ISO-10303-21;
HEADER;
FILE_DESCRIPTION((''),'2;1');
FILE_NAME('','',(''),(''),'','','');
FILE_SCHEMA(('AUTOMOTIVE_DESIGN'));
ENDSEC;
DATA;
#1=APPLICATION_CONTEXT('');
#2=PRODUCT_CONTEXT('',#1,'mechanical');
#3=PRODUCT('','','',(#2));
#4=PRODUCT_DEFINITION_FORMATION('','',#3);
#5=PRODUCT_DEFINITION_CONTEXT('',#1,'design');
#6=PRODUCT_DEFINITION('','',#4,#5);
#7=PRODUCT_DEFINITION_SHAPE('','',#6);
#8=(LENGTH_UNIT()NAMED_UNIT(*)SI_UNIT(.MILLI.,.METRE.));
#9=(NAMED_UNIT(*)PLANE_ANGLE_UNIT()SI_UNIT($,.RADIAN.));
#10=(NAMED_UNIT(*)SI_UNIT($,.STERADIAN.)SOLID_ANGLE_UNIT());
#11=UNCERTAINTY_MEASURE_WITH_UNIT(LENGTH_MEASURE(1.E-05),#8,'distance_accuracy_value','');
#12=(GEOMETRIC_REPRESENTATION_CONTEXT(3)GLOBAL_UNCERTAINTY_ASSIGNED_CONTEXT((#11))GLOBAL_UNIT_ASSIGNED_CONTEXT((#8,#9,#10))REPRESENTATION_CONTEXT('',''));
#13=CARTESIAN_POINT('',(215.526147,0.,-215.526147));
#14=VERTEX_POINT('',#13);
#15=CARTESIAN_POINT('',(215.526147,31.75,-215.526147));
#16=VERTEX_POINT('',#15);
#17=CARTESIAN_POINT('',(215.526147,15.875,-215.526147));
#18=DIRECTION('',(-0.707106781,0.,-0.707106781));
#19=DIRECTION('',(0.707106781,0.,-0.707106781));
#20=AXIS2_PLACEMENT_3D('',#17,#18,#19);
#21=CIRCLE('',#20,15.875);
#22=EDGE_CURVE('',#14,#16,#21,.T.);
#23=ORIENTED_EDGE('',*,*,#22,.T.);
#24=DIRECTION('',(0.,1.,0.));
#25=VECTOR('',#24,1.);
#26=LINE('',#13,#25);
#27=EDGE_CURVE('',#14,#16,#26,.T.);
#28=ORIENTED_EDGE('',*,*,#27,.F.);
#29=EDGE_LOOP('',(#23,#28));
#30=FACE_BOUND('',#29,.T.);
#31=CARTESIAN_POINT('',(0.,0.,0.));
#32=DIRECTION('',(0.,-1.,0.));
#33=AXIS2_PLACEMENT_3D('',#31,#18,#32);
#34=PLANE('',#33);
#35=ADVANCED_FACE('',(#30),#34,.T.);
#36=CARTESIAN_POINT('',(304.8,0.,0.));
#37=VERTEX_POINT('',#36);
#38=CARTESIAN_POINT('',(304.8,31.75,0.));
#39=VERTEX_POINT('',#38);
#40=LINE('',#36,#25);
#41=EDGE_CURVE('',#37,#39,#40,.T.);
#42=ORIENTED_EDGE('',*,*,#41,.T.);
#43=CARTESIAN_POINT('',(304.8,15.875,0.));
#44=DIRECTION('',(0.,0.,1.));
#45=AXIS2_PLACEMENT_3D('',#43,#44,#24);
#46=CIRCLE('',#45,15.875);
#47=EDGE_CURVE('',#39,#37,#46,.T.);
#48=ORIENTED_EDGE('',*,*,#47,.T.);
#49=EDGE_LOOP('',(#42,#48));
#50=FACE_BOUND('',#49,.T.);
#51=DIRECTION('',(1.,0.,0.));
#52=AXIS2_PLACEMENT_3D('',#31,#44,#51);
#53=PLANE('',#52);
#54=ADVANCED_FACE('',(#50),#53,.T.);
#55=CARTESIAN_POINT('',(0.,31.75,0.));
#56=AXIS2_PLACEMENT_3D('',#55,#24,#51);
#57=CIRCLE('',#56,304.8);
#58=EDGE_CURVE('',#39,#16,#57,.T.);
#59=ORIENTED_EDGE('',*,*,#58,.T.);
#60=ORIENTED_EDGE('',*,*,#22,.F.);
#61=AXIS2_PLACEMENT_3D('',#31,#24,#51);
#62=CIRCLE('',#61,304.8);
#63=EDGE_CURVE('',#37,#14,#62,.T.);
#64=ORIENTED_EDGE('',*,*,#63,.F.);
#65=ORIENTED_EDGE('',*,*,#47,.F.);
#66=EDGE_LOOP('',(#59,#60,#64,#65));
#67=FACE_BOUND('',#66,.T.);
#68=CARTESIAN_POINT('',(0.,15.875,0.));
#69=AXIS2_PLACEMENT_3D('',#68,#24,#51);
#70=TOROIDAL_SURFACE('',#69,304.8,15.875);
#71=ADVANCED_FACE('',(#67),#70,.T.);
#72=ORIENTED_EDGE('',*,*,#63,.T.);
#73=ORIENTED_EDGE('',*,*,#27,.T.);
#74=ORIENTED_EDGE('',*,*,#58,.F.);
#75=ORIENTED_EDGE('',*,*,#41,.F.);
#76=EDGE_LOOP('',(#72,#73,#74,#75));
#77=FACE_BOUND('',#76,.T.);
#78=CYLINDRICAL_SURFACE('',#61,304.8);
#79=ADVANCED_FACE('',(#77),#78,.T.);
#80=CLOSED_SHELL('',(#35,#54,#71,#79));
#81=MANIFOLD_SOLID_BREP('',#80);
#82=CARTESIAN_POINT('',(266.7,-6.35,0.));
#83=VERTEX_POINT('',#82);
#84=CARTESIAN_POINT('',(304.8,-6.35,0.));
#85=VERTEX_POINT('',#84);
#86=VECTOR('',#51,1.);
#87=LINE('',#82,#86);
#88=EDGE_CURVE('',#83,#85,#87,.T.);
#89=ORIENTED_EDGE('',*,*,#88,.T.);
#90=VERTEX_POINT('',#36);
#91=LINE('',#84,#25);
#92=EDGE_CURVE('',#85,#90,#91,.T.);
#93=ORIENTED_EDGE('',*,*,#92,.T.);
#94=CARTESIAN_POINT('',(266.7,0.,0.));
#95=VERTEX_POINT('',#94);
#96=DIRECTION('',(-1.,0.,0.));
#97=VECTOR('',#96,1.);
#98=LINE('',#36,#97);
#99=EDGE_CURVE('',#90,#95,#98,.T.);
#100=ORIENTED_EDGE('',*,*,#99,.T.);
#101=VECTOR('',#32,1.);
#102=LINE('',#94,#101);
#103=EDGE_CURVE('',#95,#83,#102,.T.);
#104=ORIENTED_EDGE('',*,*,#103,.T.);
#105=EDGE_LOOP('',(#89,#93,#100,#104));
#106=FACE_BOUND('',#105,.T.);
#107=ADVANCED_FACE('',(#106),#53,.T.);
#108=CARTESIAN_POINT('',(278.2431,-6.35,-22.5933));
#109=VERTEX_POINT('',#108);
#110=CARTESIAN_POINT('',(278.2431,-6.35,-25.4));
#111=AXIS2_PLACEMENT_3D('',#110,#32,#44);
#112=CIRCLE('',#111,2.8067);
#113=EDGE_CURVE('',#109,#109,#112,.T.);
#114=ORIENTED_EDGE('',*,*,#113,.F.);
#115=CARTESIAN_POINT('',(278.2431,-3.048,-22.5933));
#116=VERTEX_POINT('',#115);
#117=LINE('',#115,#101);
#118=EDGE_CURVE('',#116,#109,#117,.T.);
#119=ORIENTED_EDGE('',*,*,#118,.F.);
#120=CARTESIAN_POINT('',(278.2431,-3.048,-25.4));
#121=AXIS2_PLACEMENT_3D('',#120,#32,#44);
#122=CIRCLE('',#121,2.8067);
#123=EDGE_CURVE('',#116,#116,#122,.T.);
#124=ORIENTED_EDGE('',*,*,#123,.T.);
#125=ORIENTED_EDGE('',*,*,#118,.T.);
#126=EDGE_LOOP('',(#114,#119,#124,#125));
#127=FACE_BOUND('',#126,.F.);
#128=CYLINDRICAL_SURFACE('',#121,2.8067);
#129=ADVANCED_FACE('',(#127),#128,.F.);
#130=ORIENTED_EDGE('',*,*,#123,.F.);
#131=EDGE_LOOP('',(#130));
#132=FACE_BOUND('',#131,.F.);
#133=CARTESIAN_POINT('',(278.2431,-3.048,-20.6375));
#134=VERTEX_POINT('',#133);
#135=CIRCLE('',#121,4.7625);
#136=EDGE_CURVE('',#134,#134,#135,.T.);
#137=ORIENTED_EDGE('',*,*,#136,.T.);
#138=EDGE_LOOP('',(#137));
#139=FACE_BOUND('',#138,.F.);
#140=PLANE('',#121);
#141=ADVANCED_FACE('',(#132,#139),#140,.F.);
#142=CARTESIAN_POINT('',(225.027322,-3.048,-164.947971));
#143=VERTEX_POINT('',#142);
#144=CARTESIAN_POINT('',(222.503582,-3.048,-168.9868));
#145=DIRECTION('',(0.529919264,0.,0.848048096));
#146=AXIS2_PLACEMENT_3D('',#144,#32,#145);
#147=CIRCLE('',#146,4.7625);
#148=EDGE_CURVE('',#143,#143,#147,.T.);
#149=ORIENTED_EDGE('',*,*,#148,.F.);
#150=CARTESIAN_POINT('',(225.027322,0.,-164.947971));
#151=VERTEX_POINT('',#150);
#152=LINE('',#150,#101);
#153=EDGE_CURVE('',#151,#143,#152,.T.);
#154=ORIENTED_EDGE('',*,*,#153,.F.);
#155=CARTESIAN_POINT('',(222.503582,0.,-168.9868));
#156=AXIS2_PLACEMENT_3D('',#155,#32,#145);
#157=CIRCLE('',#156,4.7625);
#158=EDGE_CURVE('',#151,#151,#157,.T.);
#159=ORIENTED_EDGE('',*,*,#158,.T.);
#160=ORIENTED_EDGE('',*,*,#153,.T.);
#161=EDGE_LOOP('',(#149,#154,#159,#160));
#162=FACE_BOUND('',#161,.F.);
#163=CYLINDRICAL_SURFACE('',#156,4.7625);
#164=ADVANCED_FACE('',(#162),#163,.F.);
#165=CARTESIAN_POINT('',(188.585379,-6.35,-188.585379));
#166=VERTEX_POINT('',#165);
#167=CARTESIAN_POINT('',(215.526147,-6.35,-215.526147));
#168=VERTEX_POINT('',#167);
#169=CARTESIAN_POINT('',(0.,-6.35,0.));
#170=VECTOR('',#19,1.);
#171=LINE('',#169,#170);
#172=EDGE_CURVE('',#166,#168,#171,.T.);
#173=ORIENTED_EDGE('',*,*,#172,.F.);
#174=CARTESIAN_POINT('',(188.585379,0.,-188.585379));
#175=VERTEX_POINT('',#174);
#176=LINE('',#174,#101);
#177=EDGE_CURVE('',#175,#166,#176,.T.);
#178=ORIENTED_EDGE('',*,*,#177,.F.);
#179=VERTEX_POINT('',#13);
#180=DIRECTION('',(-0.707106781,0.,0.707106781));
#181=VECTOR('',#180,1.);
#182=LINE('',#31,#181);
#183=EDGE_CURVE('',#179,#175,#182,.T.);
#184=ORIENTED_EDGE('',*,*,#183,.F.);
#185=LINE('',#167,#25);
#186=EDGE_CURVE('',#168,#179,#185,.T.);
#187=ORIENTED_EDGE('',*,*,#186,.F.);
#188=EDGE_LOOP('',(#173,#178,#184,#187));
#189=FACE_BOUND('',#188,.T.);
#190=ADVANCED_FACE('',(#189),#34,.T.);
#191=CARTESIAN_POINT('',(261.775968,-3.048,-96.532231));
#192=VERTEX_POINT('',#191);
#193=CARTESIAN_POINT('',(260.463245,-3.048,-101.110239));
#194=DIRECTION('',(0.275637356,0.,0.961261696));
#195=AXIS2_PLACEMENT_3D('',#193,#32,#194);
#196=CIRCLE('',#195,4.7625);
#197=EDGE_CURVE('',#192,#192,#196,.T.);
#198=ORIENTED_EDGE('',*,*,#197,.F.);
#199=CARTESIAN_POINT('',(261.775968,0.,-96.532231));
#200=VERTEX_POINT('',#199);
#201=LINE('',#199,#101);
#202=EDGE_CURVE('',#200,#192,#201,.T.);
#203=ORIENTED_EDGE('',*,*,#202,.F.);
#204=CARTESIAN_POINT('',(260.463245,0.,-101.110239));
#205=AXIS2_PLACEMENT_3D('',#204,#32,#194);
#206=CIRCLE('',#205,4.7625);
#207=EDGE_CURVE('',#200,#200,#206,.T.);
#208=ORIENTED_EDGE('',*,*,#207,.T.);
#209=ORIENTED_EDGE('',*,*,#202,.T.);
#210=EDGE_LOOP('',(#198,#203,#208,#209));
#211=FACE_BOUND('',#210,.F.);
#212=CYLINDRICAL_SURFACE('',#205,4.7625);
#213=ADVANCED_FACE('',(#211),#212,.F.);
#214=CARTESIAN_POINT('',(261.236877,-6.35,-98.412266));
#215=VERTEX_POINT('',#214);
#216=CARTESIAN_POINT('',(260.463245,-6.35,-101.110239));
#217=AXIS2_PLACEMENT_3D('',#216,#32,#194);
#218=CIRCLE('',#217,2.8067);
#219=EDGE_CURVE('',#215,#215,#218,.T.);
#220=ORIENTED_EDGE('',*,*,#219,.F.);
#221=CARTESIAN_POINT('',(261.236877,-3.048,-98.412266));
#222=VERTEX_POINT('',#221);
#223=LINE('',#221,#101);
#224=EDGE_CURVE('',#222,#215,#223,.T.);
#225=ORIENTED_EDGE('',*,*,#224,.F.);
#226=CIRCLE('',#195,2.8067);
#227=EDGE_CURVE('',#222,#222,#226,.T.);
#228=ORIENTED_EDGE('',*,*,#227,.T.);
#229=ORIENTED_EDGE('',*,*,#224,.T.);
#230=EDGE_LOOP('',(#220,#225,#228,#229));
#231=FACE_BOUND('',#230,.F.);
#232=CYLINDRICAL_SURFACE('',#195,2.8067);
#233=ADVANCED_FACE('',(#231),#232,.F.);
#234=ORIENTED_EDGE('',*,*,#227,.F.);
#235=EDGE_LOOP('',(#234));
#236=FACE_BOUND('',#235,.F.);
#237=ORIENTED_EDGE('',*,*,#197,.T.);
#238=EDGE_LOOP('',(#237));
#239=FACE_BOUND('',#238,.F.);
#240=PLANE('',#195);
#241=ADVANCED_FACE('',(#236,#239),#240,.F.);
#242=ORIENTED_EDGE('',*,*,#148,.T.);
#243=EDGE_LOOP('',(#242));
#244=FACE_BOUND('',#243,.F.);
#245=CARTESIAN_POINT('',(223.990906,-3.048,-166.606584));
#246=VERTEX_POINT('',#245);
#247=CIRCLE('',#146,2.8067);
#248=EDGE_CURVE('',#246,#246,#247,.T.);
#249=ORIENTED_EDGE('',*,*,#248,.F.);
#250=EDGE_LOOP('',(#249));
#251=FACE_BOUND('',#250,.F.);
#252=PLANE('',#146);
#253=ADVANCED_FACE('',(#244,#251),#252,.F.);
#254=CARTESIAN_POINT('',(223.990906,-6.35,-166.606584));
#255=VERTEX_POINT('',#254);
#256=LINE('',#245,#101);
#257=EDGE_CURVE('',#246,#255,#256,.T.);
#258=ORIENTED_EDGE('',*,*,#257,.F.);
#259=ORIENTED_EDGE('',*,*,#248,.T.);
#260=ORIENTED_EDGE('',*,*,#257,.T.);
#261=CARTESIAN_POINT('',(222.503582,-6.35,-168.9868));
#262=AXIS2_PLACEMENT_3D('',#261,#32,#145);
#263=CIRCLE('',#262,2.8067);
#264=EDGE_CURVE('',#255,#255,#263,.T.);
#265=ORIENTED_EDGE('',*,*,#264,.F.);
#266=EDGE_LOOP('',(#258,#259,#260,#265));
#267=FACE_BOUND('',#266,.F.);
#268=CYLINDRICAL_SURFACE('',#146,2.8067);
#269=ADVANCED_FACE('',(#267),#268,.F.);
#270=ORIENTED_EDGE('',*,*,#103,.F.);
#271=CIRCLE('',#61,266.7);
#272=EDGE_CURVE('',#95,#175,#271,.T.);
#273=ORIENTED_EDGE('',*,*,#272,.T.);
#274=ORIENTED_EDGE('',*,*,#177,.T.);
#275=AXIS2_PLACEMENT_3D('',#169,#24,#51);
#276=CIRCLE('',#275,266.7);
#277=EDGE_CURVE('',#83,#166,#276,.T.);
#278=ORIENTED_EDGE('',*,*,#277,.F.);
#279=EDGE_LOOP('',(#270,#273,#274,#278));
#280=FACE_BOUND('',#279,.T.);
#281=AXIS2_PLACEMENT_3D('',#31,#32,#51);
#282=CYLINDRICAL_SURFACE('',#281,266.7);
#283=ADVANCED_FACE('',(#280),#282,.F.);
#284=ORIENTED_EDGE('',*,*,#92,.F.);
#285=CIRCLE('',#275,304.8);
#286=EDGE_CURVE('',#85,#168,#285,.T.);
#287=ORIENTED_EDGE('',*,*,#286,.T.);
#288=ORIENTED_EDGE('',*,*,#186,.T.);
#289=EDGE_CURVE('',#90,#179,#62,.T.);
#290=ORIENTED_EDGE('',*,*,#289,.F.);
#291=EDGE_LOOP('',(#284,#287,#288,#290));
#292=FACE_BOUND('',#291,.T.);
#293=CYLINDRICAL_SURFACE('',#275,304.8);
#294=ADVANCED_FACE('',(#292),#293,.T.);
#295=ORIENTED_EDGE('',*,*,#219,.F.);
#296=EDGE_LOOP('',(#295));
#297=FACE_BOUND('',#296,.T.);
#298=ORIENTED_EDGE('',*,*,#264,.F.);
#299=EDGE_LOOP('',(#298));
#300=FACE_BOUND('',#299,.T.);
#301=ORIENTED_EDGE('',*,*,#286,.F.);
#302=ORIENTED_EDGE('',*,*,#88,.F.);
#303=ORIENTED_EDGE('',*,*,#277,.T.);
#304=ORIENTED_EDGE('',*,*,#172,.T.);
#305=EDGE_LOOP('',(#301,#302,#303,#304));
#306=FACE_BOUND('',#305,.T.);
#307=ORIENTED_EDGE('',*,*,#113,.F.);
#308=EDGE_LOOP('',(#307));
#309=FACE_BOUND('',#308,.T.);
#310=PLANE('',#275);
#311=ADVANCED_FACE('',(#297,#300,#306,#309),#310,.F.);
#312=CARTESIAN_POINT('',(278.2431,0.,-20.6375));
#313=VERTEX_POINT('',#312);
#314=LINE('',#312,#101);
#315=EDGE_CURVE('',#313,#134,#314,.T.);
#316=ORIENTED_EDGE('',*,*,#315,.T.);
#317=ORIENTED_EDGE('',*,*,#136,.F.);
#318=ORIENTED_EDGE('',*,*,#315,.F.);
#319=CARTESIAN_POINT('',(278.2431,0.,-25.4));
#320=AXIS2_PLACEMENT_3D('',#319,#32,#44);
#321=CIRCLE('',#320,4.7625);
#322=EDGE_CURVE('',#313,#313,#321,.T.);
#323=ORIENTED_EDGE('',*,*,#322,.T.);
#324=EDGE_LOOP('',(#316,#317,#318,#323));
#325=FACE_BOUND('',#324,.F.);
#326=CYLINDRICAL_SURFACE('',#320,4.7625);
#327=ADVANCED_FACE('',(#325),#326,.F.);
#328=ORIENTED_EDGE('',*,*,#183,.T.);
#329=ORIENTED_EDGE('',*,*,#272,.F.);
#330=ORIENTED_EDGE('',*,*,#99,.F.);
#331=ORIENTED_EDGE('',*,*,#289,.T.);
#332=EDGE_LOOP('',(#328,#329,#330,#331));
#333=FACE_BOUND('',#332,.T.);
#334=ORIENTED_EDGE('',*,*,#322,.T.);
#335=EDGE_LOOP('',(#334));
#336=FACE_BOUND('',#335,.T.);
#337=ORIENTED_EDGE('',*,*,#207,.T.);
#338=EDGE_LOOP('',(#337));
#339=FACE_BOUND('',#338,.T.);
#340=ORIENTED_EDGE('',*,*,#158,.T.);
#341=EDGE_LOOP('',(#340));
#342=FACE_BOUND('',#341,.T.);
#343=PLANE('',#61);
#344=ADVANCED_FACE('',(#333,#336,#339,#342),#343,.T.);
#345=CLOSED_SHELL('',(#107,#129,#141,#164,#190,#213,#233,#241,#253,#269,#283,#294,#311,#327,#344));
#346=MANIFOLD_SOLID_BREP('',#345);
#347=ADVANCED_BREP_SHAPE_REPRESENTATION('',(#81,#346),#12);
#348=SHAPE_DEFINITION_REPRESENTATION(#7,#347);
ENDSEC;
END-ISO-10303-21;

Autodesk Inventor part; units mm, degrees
ref_plane "YZ Plane" through (0, 0, 0) normal (1, 0, 0) x (0, 1, 0)
ref_plane "XZ Plane" through (0, 0, 0) normal (0, 1, 0) x (-1, 0, 0)
sketch "Sketch2" plane through (0, 0, 0) normal (0, 0, 1) x (1, 0, 0)
  line L0 (304.8, 0) -> (304.8, 31.75)
  arc A0 (304.8, 31.75) -> (304.8, 0) centre (304.8, 15.875) ccw
  line L1 (304.8, 0) -> (266.7, 0)
  line L2 (266.7, 0) -> (266.7, -6.35)
  line L3 (266.7, -6.35) -> (304.8, -6.35)
  line L4 (304.8, -6.35) -> (304.8, 0)
  line L5 (0, 0) -> (304.8, 0) construction
  line L6 (0, -13.97) -> (0, 39.37) projected
  dimension "d0" = 31.75
  dimension "d1" = 304.8
  dimension "d2" = 6.35
  dimension "d8" = 15.875
  dimension "d9" = 38.1
revolve "Revolution1" add sketch "Sketch2" angle 90 about axis through (0, -10, 0) along (0, 1, 0)
sketch "Sketch4" plane through (266.7, 0, 0) normal (0, 1, 0) x (1, 0, 0)
  line L0 (38.1, 0) -> (0, 0) projected
  point P0 (-266.7, 0)
  point P1 (11.5431, 25.4)
  dimension "d10" = 279.4
  dimension "d18" = 25.4
hole "Hole1" at (278.2431, 0, -25.4) direction (0, -1, 0) diameter 5.6134 end through all counterbore diameter 9.525 counterbore depth 3.048 clearance for "Hex Machine Screw" size "#10" standard "Ansi Unified Screw Threads"
pattern_circular "Circular Pattern1" count 6 over 80 about axis through (0, -10, 0) along (0, 1, 0) of "Hole1"
ref_plane "Work Plane1" through (0, 0, 0) normal (0.7071, 0, 0.7071) x (0, 1, 0)
split "Split1" plane through (0, 0, 0) removes the side toward (-0.7071, 0, -0.7071)
sketch "Sketch3" plane through (0, -6.35, -266.7) normal (-1, 0, 0) x (0, 0, 1)
  arc A0 (-38.1, 6.35) -> (-38.1, 38.1) centre (-38.1, 22.225) ccw projected
  line L0 (-38.1, 38.1) -> (-38.1, 6.35) projected
  line L1 (-38.1, 6.35) -> (-38.1, 38.1)
  line L2 (-38.1, 0) -> (0, 0) projected
  line L3 (-38.1, 6.35) -> (-38.1, 0)
  line L4 (-38.1, 0) -> (0, 0)
  line L5 (0, 6.35) -> (-38.1, 6.35)
  arc A1 (-38.1, 6.35) -> (-38.1, 38.1) centre (-38.1, 22.225) ccw
  line L6 (266.7, 6.35) -> (0, 6.35) projected
  line L7 (0, 0) -> (0, 6.35) projected
  line L8 (0, 6.35) -> (0, 0)
equation "\"d1\" = outerRadius"
equation "\"d8\" = spacerRadius"
equation "\"wheelDiameter\" = 184.15"
equation "\"frisbeeDiameter\" = 228.6"
equation "\"outerRadius\" = 304.8"
equation "\"wheelRadius\" = 0.5 * wheelDiameter"
equation "\"spacerRadius\" = 15.875"
properties part number "Whack01-RunnerForFrisbeeShooterOneHalf"
